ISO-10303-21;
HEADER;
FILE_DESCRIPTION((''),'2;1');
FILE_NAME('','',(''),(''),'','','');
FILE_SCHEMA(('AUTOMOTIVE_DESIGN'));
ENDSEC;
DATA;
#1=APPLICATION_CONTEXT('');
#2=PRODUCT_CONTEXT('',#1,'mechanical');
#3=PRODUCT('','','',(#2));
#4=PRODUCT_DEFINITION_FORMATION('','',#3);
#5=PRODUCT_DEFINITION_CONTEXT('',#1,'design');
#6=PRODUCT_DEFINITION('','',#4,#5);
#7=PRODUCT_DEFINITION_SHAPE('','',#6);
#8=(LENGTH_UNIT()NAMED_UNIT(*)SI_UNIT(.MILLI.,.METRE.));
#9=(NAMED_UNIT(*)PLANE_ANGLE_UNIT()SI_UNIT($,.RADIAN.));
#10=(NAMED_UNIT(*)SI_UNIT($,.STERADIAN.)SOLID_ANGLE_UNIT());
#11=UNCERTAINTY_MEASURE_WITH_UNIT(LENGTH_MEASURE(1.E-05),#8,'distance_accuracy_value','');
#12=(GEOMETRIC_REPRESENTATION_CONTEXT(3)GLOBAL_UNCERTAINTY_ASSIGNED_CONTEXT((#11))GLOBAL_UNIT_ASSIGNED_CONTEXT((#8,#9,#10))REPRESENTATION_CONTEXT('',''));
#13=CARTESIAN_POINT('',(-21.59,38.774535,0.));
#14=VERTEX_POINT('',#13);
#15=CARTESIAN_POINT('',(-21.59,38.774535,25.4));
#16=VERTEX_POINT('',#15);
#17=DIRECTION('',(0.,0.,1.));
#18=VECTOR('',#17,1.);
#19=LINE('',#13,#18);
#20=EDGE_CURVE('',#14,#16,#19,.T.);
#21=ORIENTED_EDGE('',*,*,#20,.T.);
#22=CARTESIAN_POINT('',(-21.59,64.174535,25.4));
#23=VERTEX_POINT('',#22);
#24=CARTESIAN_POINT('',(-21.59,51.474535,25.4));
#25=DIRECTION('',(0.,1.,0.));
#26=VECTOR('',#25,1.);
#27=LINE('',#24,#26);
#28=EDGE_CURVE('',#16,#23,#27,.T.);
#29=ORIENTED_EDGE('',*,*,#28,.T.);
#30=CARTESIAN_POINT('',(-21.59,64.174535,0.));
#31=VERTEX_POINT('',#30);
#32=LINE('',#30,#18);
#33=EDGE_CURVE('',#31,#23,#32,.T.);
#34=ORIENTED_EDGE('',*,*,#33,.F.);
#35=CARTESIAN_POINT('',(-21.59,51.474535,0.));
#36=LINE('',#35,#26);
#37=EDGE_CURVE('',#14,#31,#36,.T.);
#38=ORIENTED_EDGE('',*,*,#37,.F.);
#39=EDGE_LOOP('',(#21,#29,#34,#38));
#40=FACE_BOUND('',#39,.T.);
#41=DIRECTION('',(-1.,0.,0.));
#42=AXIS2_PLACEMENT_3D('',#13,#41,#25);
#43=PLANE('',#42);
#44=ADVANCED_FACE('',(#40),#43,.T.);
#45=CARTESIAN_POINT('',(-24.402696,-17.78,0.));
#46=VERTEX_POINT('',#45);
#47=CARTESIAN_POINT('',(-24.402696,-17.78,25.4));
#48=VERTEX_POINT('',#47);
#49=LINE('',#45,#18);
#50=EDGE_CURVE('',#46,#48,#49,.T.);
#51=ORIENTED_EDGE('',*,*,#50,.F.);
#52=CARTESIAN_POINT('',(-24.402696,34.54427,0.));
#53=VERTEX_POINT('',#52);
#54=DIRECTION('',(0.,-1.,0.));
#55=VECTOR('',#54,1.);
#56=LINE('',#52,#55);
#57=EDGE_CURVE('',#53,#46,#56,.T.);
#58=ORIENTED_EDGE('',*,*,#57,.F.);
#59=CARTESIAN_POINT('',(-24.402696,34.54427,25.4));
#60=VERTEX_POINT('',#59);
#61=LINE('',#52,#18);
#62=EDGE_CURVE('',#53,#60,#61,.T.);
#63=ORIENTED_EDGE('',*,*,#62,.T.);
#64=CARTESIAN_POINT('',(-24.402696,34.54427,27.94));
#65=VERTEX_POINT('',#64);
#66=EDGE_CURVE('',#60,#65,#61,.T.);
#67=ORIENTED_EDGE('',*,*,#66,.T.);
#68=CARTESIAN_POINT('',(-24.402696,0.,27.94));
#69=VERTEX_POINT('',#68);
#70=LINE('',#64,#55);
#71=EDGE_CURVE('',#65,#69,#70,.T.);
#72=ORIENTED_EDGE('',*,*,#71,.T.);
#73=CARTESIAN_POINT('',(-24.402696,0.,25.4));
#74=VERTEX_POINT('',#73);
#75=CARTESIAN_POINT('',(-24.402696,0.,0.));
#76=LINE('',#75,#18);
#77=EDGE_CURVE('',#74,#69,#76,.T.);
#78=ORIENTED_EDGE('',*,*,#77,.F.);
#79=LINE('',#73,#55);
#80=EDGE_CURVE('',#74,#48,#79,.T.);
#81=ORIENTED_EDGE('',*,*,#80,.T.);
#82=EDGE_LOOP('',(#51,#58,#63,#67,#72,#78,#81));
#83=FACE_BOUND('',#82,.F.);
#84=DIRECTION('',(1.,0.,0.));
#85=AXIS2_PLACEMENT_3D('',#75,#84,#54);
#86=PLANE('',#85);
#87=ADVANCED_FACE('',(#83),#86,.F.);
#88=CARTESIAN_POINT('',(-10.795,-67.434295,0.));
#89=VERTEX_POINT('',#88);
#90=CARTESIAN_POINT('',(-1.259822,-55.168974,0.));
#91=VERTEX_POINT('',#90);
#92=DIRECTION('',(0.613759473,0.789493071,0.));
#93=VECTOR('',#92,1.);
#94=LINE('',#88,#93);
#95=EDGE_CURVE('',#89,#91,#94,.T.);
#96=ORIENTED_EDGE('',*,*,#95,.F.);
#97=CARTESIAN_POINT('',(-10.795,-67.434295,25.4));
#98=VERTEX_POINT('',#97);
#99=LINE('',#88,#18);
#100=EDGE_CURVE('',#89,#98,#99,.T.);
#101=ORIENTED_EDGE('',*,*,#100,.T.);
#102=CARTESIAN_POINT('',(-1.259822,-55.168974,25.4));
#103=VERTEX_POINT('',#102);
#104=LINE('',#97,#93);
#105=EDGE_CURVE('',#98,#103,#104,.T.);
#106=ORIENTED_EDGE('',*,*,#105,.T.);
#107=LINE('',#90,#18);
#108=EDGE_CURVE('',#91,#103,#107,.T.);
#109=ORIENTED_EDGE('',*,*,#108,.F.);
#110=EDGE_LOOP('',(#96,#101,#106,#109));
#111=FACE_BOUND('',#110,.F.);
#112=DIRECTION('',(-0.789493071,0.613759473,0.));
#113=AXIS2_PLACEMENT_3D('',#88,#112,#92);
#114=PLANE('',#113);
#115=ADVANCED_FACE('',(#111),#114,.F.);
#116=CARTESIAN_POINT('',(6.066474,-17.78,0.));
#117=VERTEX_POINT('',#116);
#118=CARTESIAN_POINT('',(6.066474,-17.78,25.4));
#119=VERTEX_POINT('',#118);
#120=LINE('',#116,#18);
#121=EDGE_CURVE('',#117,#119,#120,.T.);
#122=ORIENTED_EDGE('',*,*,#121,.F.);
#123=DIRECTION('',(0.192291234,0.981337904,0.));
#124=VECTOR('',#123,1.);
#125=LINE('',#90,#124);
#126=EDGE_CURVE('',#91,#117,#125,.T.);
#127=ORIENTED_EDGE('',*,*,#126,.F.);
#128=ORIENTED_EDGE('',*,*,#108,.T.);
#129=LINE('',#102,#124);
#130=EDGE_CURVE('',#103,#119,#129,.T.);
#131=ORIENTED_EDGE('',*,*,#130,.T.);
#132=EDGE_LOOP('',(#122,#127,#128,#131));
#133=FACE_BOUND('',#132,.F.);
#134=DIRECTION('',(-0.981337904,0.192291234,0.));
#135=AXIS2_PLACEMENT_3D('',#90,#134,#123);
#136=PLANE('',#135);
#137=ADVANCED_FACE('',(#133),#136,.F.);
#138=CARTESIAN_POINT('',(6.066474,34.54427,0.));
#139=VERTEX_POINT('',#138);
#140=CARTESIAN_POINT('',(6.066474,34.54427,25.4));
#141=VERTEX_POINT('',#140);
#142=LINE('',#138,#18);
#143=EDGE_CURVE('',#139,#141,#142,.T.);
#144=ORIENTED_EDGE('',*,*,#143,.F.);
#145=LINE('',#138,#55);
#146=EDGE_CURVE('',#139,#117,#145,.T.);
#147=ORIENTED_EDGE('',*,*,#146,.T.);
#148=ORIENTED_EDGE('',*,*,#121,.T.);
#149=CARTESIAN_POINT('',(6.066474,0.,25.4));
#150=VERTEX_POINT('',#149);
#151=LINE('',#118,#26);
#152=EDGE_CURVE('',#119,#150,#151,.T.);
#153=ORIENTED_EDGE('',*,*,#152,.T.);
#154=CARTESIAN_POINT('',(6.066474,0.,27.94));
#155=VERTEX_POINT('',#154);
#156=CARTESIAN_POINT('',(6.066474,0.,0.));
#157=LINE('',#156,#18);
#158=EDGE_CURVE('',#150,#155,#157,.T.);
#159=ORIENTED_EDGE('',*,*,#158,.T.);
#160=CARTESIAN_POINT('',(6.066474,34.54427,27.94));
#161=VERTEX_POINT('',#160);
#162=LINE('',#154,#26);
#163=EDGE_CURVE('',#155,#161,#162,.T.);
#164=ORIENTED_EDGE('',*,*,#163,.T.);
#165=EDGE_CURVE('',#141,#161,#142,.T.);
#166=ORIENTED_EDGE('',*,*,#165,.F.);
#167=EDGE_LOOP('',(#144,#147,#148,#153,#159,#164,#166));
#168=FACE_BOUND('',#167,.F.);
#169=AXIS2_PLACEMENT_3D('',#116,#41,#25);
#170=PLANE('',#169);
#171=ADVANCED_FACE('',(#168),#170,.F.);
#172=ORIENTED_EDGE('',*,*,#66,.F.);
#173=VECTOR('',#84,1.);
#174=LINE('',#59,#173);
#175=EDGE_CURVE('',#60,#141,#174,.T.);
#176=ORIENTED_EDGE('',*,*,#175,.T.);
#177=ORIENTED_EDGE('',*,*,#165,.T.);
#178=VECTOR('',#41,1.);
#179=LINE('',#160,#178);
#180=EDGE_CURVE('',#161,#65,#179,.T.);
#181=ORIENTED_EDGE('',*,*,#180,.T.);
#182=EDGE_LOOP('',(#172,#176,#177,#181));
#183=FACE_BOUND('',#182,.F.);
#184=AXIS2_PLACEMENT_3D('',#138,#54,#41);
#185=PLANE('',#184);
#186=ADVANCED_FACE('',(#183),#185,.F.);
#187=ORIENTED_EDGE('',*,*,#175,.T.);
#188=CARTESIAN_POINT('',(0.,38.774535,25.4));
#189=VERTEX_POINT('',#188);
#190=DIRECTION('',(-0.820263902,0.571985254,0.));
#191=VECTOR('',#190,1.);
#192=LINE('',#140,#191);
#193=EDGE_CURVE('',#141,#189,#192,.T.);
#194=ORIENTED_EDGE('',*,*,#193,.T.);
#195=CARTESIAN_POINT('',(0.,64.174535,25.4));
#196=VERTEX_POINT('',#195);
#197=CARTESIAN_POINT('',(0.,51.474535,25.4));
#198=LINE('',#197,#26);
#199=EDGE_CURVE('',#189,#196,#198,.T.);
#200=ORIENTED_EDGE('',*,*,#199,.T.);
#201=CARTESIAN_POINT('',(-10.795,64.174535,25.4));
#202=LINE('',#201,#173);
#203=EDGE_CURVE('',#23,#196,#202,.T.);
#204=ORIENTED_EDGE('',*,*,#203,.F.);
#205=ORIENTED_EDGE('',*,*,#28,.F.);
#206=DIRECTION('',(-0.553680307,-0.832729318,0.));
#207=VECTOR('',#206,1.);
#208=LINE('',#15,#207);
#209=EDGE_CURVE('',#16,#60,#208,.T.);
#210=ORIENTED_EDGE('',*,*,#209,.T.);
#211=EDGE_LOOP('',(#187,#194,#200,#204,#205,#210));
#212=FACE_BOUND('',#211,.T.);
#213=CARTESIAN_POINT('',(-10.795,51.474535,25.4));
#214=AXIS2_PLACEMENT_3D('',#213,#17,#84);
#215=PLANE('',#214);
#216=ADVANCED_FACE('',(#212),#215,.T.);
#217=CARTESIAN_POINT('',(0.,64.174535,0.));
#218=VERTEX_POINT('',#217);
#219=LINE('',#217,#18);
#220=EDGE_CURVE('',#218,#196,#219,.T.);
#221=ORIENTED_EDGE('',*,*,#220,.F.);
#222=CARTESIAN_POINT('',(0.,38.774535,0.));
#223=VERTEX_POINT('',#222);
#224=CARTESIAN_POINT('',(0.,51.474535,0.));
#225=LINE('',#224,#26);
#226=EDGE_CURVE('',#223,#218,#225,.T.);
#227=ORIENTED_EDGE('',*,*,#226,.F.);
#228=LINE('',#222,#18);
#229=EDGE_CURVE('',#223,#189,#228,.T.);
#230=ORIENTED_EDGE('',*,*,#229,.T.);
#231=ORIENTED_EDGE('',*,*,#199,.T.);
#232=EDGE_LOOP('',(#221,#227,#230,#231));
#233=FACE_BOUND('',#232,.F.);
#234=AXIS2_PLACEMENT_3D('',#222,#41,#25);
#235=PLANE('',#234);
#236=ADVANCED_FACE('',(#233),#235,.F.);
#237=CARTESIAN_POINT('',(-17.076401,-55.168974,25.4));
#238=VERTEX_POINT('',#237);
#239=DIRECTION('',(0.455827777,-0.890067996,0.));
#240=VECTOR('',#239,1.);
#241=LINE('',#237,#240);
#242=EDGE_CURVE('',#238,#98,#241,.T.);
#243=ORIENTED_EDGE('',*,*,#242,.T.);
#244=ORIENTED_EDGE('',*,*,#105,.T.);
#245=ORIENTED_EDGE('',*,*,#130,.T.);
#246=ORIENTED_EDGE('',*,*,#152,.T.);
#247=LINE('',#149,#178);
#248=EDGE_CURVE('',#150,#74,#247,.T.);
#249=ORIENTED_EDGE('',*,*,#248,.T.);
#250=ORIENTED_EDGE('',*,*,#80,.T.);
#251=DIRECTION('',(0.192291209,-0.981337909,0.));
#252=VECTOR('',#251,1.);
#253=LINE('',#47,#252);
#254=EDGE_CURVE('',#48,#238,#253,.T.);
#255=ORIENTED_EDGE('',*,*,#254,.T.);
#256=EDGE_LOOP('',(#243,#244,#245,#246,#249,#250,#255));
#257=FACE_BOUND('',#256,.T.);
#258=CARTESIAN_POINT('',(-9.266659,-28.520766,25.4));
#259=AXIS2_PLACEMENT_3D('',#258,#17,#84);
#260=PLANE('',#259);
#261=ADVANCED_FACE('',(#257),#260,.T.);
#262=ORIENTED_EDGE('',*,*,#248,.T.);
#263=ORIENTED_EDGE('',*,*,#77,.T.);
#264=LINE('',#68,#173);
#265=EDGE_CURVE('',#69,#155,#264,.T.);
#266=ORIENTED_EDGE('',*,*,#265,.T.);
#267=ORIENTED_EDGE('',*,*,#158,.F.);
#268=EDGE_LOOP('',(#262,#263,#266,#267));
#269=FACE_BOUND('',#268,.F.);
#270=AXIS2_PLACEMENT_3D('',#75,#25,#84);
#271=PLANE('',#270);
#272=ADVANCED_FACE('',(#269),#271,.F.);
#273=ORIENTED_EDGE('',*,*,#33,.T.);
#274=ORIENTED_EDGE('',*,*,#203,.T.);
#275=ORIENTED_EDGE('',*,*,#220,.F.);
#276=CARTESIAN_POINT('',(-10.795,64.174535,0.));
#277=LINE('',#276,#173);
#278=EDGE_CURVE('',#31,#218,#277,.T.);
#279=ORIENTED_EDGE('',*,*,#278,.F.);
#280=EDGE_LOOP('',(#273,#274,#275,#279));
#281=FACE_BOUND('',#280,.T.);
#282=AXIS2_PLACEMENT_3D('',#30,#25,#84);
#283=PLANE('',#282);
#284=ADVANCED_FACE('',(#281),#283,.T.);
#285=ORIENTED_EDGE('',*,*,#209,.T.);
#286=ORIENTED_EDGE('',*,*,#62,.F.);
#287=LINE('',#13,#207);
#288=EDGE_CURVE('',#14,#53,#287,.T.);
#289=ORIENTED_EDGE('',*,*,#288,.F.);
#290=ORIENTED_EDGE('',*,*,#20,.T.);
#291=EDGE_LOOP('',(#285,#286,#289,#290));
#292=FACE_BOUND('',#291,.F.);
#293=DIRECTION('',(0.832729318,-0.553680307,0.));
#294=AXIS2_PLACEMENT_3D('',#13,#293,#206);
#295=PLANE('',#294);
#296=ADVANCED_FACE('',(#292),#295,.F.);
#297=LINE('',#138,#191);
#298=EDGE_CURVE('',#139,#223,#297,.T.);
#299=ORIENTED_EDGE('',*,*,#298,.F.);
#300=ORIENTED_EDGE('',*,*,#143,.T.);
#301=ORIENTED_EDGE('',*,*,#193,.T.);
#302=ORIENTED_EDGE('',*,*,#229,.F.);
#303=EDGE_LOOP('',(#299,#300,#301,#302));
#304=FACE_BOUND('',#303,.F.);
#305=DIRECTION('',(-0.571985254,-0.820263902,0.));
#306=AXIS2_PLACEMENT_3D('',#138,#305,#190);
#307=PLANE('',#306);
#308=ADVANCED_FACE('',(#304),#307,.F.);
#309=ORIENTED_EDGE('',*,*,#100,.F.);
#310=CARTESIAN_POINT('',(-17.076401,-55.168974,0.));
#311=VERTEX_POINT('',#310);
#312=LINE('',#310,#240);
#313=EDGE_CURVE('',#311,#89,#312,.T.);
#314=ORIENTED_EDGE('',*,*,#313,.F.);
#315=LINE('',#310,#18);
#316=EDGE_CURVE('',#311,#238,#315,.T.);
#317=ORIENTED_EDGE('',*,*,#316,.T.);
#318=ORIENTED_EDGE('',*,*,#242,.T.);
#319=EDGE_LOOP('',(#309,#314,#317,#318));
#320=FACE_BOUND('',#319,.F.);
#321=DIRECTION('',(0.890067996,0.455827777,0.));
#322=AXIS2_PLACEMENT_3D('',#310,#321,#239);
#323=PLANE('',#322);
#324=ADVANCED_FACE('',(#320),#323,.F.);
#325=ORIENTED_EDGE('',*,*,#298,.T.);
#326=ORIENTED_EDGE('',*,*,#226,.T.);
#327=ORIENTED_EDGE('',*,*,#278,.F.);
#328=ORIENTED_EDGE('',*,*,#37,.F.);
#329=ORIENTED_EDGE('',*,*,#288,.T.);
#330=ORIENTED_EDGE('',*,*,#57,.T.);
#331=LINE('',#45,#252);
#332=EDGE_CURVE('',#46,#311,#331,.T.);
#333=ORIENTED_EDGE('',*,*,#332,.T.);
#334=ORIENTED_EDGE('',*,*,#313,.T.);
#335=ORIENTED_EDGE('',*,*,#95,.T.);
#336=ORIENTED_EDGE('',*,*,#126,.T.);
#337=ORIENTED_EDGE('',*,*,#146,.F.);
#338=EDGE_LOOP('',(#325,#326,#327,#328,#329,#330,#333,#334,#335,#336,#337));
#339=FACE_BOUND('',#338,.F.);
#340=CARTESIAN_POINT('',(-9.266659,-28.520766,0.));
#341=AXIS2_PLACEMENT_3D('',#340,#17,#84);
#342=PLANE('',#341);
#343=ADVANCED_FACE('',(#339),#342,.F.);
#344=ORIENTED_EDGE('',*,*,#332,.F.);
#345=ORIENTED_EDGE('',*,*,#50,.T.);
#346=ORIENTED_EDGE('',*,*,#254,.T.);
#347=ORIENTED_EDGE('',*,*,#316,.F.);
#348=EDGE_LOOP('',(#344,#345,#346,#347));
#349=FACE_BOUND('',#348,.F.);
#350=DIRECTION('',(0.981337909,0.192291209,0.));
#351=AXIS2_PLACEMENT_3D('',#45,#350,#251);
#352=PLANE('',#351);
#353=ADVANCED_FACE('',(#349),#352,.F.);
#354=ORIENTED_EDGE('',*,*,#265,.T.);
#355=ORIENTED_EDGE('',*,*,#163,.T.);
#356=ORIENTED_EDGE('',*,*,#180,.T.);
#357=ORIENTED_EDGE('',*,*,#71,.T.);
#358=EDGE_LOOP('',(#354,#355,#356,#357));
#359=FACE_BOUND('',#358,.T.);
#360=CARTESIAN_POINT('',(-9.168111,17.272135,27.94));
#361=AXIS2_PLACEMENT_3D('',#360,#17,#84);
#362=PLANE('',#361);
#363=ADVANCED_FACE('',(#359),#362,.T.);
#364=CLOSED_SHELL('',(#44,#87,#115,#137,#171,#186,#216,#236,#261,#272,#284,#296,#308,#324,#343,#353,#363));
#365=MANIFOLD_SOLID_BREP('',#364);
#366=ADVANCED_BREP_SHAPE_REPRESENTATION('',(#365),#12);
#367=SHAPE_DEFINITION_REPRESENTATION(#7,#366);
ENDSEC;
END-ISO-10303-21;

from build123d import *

# Parameters (mm, degrees)
F0_W     = 21.59
F0_H     = 25.4
F1_DEPTH = 25.4
F2_DEPTH = 27.94
F3_DEPTH = 25.4


with BuildPart() as f1:
    # F0 (on Top) → F1 (new body)
    with BuildSketch(Plane.XY):
        with Locations((-10.795, 51.474535)):
            Rectangle(F0_W, F0_H)
        Polygon((-24.402696, 34.54427), (6.066474, 34.54427), (0, 38.774535), (-21.59, 38.774535), align=None)
    extrude(amount=F1_DEPTH)

    # F0 (on Top) → F2 (join)
    with BuildSketch(Plane.XY):
        Polygon((-10.795, 0), (0, 0), (6.066474, 0), (6.066474, 34.54427), (-24.402696, 34.54427), (-24.402696, 0), (-21.59, 0), align=None)
    extrude(amount=F2_DEPTH)

    # F0 (on Top) → F3 (join)
    with BuildSketch(Plane.XY):
        Polygon((6.066474, 0), (0, 0), (-10.795, 0), (-21.59, 0), (-24.402696, 0), (-24.402696, -17.78), (-17.076401, -55.168974), (-10.795, -67.434295), (-1.259822, -55.168974), (6.066474, -17.78), align=None)
    extrude(amount=F3_DEPTH)


solid = f1.part
